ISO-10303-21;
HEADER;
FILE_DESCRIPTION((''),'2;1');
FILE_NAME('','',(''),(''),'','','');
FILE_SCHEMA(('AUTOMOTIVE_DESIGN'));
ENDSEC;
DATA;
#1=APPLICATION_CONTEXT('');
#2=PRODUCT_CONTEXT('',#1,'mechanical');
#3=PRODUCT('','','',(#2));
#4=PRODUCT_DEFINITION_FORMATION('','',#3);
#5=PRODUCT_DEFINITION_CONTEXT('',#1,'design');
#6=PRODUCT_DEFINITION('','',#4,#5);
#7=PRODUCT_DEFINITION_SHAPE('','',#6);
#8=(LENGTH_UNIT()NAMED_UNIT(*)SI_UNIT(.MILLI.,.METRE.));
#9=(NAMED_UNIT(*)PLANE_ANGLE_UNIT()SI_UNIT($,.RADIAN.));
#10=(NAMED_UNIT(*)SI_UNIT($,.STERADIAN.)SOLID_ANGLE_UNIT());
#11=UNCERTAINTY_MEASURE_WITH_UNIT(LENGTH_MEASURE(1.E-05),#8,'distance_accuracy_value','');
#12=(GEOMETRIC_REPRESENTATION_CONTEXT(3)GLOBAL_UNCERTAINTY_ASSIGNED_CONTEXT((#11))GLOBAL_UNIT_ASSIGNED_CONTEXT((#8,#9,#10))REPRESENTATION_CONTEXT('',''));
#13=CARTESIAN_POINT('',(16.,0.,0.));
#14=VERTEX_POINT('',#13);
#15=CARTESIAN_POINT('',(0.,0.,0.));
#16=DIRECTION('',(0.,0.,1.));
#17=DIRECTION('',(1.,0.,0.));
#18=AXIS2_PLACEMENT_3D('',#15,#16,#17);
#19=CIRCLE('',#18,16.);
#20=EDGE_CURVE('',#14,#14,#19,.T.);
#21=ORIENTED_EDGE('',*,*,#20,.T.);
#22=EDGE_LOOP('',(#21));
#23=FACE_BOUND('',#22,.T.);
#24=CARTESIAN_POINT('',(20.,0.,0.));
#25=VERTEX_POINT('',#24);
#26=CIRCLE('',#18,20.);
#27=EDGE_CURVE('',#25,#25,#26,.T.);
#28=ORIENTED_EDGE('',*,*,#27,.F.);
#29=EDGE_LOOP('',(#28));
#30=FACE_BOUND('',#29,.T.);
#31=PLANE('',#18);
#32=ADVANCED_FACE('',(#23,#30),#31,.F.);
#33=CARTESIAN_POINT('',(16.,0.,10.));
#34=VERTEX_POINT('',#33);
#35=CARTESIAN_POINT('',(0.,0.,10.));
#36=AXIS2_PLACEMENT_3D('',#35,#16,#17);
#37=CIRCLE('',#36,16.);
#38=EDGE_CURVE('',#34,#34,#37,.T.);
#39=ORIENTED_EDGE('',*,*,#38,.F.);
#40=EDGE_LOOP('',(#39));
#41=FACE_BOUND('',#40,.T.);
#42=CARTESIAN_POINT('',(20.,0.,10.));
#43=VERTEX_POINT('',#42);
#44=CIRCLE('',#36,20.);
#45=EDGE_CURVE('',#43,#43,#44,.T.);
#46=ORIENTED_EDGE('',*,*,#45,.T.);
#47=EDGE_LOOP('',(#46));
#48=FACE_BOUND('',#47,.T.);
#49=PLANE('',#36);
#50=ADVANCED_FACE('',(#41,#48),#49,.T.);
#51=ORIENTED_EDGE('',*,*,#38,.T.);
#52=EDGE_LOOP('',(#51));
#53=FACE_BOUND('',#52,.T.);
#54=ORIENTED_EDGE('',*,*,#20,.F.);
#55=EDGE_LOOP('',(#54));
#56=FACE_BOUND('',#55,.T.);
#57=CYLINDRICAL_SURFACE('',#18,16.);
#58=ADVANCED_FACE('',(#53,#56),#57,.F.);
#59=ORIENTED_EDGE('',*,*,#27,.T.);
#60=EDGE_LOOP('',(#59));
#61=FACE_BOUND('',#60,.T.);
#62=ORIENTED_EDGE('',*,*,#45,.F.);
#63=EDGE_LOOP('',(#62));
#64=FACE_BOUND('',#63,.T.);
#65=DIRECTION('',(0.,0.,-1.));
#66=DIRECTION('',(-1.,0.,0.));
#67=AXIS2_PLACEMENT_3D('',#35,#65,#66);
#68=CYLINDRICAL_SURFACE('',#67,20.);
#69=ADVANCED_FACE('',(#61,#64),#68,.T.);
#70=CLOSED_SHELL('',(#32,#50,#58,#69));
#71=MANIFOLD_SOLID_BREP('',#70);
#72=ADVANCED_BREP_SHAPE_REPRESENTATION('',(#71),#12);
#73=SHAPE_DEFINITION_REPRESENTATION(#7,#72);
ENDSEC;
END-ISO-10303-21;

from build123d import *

# Parameters (mm, degrees)
SKETCH1_R           = 20
BOSS_EXTRUDE1_DEPTH = 10
SKETCH2_R           = 16
CUT_EXTRUDE1_DEPTH  = 11


with BuildPart() as part:
    # Sketch1 → Boss-Extrude1 (new body)
    with BuildSketch(Plane.XY):
        Circle(SKETCH1_R)
    extrude(amount=BOSS_EXTRUDE1_DEPTH)

    # Sketch2 → Cut-Extrude1 (cut, through all)
    with BuildSketch(Plane.XY.offset(10)):
        Circle(SKETCH2_R)
    extrude(amount=-CUT_EXTRUDE1_DEPTH, mode=Mode.SUBTRACT)


solid = part.part
